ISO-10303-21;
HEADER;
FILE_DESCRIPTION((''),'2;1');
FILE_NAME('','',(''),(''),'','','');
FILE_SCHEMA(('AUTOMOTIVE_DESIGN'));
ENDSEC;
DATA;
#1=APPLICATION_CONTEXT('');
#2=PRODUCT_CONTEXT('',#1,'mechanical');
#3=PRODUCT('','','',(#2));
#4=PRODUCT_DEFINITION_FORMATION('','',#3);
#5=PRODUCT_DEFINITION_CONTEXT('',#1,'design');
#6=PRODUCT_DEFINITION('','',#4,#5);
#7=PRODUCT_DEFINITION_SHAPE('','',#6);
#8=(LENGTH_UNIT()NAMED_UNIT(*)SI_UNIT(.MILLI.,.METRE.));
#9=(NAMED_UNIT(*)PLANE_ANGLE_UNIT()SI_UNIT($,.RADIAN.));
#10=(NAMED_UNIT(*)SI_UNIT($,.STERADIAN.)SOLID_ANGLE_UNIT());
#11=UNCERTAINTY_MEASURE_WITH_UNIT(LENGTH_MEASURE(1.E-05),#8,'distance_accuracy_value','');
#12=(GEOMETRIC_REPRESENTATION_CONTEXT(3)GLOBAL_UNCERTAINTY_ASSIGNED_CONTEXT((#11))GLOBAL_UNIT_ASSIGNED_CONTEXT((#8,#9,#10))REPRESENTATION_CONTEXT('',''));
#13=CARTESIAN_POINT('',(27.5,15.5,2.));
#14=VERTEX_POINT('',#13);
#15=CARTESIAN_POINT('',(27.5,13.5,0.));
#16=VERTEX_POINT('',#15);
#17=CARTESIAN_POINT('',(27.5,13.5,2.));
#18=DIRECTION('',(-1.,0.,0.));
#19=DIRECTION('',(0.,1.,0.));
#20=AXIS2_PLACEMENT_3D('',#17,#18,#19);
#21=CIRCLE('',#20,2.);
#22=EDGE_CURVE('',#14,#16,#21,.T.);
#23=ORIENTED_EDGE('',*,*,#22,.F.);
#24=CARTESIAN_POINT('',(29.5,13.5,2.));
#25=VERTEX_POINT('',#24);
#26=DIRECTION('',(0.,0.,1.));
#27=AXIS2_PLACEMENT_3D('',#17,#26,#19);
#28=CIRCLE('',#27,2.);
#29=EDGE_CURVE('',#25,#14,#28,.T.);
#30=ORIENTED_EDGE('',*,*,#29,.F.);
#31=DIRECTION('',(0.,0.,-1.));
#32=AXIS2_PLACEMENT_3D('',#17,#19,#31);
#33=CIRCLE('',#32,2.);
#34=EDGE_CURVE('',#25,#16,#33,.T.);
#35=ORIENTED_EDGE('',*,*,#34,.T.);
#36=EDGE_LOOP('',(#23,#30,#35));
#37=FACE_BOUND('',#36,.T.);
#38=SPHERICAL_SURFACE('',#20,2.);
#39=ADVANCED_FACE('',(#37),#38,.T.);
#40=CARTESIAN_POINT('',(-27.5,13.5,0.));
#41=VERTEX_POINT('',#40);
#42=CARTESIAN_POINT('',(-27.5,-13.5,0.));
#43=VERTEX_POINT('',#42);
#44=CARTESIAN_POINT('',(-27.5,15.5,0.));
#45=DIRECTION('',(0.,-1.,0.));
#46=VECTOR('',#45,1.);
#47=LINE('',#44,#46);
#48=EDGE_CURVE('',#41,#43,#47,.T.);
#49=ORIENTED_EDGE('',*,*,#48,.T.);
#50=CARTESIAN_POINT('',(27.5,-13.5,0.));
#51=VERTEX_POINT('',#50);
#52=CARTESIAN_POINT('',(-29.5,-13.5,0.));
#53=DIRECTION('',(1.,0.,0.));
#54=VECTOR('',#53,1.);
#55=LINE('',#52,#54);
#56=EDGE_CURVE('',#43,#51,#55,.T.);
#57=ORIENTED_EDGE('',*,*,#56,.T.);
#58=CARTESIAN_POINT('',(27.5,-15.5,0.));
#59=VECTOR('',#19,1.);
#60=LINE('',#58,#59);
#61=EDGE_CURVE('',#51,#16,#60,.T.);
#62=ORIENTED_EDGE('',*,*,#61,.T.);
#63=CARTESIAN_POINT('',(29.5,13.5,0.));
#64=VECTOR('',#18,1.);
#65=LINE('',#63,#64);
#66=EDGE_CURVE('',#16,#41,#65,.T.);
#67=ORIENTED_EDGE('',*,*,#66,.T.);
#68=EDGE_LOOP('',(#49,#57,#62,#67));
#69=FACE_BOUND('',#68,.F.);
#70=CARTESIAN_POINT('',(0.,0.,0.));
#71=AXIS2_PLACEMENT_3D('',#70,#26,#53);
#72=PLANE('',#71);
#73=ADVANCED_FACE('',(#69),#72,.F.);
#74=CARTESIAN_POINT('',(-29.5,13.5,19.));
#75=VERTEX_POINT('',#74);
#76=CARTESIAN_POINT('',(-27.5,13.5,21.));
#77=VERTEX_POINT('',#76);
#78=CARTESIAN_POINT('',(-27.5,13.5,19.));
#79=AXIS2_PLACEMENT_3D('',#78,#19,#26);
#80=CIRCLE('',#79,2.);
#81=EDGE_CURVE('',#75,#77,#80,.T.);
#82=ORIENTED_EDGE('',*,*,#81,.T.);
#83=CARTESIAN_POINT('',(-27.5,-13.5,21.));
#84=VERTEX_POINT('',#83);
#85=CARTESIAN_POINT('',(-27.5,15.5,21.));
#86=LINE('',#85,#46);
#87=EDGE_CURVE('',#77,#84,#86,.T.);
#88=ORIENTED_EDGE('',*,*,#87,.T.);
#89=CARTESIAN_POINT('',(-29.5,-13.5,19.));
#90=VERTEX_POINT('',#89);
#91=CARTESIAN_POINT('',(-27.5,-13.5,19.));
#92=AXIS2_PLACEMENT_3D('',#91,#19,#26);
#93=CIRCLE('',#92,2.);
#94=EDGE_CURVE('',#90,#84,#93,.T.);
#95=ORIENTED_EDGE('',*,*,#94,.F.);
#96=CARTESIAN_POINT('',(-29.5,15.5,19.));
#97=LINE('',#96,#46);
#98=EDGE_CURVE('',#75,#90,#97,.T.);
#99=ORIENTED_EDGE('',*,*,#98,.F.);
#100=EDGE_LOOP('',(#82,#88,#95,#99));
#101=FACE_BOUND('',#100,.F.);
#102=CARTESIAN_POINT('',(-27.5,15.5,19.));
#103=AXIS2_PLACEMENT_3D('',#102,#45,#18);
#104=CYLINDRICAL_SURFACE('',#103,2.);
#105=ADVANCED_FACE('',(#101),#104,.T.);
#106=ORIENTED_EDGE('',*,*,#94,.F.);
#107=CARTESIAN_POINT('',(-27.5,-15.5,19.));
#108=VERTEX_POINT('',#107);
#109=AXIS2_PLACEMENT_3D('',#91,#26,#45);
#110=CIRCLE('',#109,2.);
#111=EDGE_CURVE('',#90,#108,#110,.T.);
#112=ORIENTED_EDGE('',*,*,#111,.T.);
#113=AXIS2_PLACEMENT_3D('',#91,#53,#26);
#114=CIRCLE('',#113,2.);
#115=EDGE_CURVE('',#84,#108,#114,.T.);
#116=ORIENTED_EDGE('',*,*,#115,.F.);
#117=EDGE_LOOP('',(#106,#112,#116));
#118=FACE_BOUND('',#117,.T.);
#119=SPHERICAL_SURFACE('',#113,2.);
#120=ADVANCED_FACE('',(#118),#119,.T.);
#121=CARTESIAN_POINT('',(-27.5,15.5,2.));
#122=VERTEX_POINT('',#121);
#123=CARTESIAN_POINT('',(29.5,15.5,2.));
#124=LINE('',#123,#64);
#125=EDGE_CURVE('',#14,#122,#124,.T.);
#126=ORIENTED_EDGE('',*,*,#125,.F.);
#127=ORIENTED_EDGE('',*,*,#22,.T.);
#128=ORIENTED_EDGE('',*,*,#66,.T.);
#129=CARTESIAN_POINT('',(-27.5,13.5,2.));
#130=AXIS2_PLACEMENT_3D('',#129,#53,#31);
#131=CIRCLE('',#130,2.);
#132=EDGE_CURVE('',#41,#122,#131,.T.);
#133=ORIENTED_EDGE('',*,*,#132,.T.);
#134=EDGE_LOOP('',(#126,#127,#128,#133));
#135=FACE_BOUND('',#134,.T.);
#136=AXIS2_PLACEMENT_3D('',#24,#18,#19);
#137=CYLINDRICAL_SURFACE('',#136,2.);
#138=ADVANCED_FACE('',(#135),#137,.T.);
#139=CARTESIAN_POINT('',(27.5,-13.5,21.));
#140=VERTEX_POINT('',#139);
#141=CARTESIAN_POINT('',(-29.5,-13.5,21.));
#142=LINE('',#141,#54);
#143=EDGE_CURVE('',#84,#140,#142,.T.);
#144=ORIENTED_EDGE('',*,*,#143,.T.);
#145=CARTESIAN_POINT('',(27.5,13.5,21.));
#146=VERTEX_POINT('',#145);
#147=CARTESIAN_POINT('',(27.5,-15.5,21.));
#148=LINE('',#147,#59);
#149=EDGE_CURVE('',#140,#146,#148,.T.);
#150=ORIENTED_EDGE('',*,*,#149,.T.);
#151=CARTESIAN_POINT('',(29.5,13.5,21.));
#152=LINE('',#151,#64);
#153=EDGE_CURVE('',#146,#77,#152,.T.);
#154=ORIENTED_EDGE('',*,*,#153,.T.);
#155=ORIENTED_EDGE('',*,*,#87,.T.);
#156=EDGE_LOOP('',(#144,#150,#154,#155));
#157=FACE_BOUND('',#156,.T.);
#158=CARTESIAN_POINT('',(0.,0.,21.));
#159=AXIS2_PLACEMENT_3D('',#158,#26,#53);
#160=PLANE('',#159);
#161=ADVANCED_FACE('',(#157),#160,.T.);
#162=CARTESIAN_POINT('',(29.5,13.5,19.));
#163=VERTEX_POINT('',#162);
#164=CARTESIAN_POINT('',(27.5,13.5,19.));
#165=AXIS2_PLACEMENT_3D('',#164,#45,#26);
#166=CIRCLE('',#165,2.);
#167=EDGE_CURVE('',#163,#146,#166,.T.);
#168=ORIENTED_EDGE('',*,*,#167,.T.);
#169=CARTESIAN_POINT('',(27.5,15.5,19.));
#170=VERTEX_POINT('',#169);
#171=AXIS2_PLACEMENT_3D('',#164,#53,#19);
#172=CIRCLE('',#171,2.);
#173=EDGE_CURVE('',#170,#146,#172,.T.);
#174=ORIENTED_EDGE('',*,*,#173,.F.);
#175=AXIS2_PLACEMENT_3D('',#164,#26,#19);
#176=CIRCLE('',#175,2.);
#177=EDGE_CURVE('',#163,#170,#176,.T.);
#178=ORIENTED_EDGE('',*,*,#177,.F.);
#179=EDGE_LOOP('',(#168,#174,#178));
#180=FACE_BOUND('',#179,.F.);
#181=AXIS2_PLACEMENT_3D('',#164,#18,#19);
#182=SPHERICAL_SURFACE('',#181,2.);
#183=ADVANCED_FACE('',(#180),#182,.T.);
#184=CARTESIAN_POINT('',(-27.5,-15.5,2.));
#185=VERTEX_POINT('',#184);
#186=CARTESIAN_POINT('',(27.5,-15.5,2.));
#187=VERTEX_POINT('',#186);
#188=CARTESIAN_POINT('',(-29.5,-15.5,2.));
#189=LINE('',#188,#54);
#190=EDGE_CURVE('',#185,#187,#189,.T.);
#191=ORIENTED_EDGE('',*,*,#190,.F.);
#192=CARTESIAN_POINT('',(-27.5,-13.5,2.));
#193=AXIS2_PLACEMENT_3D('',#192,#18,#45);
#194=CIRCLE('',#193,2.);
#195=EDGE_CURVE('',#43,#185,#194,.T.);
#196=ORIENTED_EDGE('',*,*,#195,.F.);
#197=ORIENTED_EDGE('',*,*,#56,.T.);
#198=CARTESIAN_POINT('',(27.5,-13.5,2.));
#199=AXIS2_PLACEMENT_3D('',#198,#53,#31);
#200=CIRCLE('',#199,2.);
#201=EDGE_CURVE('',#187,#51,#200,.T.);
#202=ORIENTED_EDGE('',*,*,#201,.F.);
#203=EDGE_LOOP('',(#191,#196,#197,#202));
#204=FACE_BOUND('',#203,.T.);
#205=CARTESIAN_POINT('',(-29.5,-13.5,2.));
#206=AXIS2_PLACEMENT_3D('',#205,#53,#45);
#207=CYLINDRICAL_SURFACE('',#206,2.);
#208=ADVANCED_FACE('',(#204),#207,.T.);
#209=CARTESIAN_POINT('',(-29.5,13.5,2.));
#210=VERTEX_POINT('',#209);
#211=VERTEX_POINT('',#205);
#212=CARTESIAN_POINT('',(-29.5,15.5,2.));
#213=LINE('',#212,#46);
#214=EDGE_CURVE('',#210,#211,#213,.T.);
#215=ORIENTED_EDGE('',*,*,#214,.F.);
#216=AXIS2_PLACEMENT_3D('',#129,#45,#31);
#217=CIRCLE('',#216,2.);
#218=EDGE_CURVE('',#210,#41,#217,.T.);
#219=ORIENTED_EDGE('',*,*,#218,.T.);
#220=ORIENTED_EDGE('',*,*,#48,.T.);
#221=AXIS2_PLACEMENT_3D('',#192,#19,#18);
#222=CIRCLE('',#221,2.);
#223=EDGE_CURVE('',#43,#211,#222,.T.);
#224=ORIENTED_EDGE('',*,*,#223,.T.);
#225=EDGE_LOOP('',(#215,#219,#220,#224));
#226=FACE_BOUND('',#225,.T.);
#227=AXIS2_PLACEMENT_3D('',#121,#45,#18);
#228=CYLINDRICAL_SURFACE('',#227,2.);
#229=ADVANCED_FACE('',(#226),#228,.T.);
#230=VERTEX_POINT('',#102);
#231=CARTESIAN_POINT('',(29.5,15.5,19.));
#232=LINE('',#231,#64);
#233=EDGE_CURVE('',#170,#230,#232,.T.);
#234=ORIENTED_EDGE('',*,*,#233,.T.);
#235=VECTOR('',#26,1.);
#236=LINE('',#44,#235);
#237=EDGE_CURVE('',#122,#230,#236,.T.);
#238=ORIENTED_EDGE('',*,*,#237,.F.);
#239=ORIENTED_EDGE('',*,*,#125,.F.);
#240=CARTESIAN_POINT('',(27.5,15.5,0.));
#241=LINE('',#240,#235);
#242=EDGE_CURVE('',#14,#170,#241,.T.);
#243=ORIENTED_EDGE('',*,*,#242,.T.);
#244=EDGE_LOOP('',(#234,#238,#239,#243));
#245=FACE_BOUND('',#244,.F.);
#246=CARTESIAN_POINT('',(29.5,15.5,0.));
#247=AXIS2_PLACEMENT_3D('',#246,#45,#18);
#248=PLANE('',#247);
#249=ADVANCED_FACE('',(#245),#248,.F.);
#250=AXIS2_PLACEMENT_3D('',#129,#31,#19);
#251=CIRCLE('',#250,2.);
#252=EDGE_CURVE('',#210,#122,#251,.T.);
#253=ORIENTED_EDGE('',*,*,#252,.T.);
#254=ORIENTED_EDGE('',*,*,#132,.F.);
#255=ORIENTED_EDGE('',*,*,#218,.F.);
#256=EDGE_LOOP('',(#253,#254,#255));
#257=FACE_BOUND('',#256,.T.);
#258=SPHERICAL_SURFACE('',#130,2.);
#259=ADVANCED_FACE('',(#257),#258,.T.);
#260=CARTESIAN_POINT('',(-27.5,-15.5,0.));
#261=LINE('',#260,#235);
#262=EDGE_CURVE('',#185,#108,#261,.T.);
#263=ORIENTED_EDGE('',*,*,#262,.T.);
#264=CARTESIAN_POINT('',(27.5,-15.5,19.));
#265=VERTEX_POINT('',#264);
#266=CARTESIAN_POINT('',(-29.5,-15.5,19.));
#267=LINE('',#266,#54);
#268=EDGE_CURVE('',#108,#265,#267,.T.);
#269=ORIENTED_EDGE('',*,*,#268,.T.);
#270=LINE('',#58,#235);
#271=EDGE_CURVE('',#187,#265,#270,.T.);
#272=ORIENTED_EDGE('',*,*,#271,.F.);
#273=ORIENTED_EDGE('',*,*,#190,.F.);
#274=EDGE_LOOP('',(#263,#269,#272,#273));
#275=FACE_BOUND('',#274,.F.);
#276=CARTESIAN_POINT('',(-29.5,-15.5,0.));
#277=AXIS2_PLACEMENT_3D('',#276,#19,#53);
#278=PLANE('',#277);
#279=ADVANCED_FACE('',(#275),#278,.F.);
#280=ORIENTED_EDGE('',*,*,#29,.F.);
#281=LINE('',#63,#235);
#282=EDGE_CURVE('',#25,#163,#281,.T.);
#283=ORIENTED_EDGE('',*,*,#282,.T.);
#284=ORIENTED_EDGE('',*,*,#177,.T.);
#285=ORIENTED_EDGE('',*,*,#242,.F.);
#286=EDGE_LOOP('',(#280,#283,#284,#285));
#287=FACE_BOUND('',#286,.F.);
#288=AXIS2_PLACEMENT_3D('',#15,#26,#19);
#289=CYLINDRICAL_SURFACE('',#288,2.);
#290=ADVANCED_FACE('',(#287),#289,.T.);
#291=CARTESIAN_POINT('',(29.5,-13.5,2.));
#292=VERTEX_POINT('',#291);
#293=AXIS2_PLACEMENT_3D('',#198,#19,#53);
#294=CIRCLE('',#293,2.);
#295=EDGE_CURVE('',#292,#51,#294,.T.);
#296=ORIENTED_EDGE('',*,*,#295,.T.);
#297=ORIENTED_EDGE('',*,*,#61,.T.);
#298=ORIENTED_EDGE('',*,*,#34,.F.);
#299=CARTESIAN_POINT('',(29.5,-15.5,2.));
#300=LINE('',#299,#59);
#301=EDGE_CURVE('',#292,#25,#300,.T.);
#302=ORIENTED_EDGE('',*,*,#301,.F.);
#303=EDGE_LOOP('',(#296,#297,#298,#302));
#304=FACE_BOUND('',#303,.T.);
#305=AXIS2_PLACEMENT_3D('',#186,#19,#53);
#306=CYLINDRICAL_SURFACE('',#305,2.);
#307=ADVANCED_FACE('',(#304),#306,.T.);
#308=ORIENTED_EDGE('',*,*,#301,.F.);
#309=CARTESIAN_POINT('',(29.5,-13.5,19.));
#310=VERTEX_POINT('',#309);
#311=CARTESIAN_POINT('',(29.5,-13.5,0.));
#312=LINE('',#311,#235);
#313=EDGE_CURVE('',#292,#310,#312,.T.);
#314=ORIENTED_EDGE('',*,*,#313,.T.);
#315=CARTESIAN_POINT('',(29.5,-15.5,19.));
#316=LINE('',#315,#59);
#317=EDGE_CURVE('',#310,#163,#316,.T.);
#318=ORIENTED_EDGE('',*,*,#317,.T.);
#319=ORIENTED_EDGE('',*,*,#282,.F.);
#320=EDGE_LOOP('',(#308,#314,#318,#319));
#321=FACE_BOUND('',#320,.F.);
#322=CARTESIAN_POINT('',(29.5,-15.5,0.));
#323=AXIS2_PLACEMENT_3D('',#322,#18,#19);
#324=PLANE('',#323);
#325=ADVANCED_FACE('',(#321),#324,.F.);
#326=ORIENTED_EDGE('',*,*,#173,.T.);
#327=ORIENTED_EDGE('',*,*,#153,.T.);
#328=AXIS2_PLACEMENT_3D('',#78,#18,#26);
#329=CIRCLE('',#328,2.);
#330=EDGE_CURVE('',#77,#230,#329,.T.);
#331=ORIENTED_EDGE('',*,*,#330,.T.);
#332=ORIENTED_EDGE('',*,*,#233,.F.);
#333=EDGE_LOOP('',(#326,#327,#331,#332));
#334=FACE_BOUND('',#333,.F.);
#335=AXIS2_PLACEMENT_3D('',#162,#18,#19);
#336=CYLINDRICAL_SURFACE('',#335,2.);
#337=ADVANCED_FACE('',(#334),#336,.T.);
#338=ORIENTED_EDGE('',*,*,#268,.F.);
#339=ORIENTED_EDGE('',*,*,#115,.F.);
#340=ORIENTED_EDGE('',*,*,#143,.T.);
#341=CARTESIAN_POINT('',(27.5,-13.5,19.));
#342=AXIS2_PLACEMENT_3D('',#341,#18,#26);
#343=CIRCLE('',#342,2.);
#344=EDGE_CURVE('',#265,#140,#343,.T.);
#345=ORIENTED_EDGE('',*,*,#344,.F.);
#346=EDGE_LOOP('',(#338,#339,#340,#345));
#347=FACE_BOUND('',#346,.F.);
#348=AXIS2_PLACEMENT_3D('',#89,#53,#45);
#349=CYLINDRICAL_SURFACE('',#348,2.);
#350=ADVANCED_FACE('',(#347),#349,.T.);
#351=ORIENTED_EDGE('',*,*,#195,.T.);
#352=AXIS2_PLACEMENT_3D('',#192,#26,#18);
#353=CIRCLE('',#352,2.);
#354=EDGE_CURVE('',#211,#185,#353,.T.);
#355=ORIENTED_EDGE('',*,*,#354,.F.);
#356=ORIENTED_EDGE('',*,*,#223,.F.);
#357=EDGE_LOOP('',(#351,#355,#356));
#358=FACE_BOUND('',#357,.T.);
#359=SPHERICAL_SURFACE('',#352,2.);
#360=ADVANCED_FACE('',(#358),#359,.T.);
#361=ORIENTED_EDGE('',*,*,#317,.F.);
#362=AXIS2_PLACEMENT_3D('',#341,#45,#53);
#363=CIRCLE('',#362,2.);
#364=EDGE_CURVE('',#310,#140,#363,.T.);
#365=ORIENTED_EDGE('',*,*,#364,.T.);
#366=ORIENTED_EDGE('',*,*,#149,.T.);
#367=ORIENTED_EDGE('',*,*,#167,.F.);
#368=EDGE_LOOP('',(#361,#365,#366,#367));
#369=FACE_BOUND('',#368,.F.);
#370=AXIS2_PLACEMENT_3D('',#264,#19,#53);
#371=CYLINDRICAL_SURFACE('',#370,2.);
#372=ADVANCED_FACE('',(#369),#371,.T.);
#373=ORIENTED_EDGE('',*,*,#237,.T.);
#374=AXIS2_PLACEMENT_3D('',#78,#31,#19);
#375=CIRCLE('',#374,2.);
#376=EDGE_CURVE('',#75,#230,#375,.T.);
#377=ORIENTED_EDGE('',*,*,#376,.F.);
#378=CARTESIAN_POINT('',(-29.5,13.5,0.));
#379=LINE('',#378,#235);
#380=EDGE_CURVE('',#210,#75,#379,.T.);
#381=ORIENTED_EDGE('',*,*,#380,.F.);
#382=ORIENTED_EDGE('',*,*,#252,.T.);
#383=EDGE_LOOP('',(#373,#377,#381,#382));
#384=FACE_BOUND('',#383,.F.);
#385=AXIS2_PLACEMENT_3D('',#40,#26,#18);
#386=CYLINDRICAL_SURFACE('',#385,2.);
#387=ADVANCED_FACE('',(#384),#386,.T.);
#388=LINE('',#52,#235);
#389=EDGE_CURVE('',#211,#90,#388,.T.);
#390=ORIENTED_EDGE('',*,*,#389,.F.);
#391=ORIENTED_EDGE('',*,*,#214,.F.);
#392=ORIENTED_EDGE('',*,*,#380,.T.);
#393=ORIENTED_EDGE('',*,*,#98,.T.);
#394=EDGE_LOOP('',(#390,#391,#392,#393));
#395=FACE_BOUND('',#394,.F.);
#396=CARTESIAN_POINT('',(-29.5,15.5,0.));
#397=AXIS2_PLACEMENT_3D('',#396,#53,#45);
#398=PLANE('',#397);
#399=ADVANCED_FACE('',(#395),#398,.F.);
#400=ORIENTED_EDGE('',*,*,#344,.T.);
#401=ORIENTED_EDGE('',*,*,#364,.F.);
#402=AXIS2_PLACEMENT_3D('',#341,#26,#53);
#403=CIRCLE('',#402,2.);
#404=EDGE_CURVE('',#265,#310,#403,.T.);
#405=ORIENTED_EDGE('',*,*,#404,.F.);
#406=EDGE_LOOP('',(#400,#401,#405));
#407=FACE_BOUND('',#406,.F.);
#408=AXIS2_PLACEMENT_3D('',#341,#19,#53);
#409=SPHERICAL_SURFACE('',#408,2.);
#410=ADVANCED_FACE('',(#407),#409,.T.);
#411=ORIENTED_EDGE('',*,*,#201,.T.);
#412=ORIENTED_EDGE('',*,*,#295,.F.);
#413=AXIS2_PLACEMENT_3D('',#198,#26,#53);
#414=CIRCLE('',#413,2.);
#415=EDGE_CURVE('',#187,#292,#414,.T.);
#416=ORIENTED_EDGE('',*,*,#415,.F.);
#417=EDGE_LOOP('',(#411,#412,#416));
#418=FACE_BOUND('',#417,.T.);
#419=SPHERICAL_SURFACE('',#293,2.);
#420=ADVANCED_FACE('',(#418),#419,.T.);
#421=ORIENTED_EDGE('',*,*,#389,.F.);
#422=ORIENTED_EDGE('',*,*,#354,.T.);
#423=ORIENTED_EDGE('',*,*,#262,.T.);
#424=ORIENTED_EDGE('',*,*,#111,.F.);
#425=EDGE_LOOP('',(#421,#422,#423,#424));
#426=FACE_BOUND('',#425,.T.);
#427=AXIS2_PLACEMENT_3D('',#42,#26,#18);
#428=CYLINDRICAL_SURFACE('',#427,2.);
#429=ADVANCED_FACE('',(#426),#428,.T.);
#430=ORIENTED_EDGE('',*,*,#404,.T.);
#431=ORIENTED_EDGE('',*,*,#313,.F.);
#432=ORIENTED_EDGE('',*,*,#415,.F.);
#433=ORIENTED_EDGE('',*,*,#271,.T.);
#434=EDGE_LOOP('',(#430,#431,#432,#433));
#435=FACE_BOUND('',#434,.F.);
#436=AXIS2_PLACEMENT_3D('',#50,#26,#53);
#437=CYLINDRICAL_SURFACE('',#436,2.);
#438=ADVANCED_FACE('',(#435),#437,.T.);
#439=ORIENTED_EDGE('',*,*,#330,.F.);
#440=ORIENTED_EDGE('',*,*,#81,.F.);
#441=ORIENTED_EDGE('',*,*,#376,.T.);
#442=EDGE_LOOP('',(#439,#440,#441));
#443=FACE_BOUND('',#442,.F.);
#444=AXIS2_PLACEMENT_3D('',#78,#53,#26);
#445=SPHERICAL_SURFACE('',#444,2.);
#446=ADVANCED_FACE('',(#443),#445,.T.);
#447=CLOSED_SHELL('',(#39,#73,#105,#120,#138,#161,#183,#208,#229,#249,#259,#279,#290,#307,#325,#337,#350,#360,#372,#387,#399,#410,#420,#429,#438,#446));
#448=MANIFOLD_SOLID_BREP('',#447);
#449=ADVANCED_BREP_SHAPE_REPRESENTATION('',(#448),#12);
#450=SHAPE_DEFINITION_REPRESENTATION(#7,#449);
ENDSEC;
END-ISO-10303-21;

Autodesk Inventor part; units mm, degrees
ref_plane "YZ Plane" through (0, 0, 0) normal (1, 0, 0) x (0, 1, 0)
ref_plane "XZ Plane" through (0, 0, 0) normal (0, 1, 0) x (-1, 0, 0)
ref_plane "XY Plane" through (0, 0, 0) normal (0, 0, 1) x (1, 0, 0)
sketch "Sketch1" plane through (0, 0, 0) normal (0, 0, 1) x (1, 0, 0)
  line L0 (0, -21.7) -> (0, 21.7) construction
  line L1 (-41.3, 0) -> (41.3, 0) construction
  line L2 (-29.5, -15.5) -> (29.5, -15.5)
  line L3 (29.5, -15.5) -> (29.5, 15.5)
  line L4 (29.5, 15.5) -> (-29.5, 15.5)
  line L5 (-29.5, 15.5) -> (-29.5, -15.5)
  line L6 (-29.5, -15.5) -> (29.5, 15.5) construction
  line L7 (29.5, -15.5) -> (-29.5, 15.5) construction
  point P0 (0, 0)
  dimension "d0" = 59
  dimension "d1" = 31
extrude "Extrusion1" add sketch "Sketch1" along normal blind 21
fillet "Fillet1" radius 2 12 edges at (0, 15.5, 21) (0, 15.5, 0) (29.5, 15.5, 10.5) (29.5, 0, 21) (29.5, 0, 0) (29.5, -15.5, 10.5) (0, -15.5, 21) (-29.5, 0, 21) (-29.5, -15.5, 10.5) (-29.5, 0, 0) (0, -15.5, 0) (-29.5, 15.5, 10.5)
properties part number "Battery Pack"
